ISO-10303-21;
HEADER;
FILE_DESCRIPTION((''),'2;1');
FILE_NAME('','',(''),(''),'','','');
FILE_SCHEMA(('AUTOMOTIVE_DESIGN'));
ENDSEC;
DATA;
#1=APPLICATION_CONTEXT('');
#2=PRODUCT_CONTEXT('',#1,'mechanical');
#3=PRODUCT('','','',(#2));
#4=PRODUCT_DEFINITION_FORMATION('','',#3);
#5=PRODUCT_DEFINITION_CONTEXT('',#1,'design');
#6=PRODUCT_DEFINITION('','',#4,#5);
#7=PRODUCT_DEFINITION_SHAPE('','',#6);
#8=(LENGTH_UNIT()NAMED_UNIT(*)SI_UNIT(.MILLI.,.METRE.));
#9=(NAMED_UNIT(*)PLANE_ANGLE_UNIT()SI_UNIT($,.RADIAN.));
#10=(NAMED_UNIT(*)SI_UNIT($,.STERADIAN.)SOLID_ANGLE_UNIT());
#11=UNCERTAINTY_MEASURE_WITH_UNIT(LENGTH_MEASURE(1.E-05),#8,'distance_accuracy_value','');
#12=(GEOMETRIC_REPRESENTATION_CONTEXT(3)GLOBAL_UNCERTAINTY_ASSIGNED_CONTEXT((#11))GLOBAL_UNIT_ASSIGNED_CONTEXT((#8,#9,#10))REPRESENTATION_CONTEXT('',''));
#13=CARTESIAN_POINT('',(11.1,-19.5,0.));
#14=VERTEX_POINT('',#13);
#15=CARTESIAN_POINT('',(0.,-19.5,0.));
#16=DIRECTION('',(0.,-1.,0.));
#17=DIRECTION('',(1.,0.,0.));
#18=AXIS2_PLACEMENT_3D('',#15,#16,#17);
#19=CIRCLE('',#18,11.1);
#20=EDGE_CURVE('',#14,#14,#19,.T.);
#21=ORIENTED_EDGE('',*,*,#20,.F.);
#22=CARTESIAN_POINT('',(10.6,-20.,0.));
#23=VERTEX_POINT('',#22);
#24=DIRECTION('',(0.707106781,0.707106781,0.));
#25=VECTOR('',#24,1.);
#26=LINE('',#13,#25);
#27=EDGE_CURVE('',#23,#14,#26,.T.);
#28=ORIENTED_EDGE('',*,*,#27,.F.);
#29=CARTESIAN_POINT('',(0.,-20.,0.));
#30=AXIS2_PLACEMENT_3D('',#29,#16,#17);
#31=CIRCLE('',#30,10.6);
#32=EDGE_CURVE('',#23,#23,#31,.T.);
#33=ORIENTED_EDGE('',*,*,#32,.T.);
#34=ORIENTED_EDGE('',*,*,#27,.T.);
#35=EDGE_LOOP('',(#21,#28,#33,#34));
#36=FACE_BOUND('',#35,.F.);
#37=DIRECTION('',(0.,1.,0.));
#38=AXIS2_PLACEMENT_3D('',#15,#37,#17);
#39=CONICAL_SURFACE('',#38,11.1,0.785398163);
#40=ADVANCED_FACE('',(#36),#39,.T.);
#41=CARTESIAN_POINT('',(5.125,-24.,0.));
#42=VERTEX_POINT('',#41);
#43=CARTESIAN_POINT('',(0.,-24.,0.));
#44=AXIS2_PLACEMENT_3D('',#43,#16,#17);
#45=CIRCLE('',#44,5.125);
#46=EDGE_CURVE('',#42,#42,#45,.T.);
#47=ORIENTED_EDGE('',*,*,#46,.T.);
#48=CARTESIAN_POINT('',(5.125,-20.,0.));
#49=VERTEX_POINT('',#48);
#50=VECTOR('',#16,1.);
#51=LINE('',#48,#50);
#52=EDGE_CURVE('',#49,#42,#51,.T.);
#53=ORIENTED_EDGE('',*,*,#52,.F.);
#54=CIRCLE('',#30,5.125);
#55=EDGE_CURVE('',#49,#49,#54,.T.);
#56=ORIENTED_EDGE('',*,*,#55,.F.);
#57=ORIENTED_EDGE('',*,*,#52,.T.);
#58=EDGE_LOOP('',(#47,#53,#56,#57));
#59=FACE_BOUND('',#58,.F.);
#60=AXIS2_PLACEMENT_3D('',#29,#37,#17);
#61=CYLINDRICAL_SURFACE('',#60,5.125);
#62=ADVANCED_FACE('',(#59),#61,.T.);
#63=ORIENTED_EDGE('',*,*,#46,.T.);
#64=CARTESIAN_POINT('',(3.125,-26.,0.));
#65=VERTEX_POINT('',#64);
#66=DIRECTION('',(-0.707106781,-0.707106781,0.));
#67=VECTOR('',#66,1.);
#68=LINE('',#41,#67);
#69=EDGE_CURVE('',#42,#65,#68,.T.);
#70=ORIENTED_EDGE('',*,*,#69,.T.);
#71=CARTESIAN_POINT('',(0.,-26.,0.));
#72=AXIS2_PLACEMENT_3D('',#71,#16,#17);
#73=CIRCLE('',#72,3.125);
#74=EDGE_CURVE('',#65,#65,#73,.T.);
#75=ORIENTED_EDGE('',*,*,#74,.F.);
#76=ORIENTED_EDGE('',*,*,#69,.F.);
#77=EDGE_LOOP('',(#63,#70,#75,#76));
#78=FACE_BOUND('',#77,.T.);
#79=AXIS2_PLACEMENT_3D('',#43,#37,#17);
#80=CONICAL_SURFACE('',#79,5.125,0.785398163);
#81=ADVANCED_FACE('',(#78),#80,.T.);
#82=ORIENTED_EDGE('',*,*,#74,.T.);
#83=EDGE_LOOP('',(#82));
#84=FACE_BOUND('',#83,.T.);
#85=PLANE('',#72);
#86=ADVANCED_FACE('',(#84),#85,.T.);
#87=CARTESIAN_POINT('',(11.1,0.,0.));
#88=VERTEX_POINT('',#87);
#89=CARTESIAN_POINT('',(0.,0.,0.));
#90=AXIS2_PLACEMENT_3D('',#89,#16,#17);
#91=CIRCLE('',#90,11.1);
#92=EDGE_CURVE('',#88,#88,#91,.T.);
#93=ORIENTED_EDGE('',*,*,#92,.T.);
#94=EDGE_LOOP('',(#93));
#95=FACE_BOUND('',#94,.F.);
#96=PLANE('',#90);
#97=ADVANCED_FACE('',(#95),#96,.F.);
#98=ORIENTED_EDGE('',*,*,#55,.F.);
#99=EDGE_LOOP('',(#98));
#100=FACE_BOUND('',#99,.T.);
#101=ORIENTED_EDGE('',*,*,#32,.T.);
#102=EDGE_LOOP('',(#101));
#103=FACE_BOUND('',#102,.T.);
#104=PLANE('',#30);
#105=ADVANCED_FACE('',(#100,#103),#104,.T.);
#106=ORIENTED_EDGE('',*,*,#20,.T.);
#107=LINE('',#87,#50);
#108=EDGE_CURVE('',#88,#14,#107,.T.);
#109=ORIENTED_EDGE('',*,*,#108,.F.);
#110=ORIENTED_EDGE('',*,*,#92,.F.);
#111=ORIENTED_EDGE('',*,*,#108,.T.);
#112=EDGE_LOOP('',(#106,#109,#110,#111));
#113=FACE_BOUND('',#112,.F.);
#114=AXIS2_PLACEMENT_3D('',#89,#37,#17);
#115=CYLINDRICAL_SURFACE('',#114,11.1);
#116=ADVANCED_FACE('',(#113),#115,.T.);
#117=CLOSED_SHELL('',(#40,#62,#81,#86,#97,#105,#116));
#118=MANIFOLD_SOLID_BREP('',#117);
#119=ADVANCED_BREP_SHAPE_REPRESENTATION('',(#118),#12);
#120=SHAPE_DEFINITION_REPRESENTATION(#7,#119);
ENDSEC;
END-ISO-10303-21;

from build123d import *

# Parameters (mm, degrees)
F0_R     = 11.1
F1_DEPTH = 20
F2_R     = 5.125
F3_DEPTH = 6
F4_SIZE  = 2
F5_SIZE  = 0.5


with BuildPart() as f1:
    # F0 (on Front) → F1 (new body)
    with BuildSketch(Plane.XZ):
        Circle(F0_R)
    extrude(amount=F1_DEPTH)

    # F2 (on face) → F3 (join)
    with BuildSketch(Plane.XZ.offset(20)):
        Circle(F2_R)
    extrude(amount=F3_DEPTH)

    # F4
    f4_edges = [f1.edges().sort_by_distance(p)[0] for p in [
        (-5.125, -26, 0),
    ]]
    chamfer(f4_edges, length=F4_SIZE)

    # F5
    f5_edges = [f1.edges().sort_by_distance(p)[0] for p in [
        (-11.1, -20, 0),
    ]]
    chamfer(f5_edges, length=F5_SIZE)


solid = f1.part
